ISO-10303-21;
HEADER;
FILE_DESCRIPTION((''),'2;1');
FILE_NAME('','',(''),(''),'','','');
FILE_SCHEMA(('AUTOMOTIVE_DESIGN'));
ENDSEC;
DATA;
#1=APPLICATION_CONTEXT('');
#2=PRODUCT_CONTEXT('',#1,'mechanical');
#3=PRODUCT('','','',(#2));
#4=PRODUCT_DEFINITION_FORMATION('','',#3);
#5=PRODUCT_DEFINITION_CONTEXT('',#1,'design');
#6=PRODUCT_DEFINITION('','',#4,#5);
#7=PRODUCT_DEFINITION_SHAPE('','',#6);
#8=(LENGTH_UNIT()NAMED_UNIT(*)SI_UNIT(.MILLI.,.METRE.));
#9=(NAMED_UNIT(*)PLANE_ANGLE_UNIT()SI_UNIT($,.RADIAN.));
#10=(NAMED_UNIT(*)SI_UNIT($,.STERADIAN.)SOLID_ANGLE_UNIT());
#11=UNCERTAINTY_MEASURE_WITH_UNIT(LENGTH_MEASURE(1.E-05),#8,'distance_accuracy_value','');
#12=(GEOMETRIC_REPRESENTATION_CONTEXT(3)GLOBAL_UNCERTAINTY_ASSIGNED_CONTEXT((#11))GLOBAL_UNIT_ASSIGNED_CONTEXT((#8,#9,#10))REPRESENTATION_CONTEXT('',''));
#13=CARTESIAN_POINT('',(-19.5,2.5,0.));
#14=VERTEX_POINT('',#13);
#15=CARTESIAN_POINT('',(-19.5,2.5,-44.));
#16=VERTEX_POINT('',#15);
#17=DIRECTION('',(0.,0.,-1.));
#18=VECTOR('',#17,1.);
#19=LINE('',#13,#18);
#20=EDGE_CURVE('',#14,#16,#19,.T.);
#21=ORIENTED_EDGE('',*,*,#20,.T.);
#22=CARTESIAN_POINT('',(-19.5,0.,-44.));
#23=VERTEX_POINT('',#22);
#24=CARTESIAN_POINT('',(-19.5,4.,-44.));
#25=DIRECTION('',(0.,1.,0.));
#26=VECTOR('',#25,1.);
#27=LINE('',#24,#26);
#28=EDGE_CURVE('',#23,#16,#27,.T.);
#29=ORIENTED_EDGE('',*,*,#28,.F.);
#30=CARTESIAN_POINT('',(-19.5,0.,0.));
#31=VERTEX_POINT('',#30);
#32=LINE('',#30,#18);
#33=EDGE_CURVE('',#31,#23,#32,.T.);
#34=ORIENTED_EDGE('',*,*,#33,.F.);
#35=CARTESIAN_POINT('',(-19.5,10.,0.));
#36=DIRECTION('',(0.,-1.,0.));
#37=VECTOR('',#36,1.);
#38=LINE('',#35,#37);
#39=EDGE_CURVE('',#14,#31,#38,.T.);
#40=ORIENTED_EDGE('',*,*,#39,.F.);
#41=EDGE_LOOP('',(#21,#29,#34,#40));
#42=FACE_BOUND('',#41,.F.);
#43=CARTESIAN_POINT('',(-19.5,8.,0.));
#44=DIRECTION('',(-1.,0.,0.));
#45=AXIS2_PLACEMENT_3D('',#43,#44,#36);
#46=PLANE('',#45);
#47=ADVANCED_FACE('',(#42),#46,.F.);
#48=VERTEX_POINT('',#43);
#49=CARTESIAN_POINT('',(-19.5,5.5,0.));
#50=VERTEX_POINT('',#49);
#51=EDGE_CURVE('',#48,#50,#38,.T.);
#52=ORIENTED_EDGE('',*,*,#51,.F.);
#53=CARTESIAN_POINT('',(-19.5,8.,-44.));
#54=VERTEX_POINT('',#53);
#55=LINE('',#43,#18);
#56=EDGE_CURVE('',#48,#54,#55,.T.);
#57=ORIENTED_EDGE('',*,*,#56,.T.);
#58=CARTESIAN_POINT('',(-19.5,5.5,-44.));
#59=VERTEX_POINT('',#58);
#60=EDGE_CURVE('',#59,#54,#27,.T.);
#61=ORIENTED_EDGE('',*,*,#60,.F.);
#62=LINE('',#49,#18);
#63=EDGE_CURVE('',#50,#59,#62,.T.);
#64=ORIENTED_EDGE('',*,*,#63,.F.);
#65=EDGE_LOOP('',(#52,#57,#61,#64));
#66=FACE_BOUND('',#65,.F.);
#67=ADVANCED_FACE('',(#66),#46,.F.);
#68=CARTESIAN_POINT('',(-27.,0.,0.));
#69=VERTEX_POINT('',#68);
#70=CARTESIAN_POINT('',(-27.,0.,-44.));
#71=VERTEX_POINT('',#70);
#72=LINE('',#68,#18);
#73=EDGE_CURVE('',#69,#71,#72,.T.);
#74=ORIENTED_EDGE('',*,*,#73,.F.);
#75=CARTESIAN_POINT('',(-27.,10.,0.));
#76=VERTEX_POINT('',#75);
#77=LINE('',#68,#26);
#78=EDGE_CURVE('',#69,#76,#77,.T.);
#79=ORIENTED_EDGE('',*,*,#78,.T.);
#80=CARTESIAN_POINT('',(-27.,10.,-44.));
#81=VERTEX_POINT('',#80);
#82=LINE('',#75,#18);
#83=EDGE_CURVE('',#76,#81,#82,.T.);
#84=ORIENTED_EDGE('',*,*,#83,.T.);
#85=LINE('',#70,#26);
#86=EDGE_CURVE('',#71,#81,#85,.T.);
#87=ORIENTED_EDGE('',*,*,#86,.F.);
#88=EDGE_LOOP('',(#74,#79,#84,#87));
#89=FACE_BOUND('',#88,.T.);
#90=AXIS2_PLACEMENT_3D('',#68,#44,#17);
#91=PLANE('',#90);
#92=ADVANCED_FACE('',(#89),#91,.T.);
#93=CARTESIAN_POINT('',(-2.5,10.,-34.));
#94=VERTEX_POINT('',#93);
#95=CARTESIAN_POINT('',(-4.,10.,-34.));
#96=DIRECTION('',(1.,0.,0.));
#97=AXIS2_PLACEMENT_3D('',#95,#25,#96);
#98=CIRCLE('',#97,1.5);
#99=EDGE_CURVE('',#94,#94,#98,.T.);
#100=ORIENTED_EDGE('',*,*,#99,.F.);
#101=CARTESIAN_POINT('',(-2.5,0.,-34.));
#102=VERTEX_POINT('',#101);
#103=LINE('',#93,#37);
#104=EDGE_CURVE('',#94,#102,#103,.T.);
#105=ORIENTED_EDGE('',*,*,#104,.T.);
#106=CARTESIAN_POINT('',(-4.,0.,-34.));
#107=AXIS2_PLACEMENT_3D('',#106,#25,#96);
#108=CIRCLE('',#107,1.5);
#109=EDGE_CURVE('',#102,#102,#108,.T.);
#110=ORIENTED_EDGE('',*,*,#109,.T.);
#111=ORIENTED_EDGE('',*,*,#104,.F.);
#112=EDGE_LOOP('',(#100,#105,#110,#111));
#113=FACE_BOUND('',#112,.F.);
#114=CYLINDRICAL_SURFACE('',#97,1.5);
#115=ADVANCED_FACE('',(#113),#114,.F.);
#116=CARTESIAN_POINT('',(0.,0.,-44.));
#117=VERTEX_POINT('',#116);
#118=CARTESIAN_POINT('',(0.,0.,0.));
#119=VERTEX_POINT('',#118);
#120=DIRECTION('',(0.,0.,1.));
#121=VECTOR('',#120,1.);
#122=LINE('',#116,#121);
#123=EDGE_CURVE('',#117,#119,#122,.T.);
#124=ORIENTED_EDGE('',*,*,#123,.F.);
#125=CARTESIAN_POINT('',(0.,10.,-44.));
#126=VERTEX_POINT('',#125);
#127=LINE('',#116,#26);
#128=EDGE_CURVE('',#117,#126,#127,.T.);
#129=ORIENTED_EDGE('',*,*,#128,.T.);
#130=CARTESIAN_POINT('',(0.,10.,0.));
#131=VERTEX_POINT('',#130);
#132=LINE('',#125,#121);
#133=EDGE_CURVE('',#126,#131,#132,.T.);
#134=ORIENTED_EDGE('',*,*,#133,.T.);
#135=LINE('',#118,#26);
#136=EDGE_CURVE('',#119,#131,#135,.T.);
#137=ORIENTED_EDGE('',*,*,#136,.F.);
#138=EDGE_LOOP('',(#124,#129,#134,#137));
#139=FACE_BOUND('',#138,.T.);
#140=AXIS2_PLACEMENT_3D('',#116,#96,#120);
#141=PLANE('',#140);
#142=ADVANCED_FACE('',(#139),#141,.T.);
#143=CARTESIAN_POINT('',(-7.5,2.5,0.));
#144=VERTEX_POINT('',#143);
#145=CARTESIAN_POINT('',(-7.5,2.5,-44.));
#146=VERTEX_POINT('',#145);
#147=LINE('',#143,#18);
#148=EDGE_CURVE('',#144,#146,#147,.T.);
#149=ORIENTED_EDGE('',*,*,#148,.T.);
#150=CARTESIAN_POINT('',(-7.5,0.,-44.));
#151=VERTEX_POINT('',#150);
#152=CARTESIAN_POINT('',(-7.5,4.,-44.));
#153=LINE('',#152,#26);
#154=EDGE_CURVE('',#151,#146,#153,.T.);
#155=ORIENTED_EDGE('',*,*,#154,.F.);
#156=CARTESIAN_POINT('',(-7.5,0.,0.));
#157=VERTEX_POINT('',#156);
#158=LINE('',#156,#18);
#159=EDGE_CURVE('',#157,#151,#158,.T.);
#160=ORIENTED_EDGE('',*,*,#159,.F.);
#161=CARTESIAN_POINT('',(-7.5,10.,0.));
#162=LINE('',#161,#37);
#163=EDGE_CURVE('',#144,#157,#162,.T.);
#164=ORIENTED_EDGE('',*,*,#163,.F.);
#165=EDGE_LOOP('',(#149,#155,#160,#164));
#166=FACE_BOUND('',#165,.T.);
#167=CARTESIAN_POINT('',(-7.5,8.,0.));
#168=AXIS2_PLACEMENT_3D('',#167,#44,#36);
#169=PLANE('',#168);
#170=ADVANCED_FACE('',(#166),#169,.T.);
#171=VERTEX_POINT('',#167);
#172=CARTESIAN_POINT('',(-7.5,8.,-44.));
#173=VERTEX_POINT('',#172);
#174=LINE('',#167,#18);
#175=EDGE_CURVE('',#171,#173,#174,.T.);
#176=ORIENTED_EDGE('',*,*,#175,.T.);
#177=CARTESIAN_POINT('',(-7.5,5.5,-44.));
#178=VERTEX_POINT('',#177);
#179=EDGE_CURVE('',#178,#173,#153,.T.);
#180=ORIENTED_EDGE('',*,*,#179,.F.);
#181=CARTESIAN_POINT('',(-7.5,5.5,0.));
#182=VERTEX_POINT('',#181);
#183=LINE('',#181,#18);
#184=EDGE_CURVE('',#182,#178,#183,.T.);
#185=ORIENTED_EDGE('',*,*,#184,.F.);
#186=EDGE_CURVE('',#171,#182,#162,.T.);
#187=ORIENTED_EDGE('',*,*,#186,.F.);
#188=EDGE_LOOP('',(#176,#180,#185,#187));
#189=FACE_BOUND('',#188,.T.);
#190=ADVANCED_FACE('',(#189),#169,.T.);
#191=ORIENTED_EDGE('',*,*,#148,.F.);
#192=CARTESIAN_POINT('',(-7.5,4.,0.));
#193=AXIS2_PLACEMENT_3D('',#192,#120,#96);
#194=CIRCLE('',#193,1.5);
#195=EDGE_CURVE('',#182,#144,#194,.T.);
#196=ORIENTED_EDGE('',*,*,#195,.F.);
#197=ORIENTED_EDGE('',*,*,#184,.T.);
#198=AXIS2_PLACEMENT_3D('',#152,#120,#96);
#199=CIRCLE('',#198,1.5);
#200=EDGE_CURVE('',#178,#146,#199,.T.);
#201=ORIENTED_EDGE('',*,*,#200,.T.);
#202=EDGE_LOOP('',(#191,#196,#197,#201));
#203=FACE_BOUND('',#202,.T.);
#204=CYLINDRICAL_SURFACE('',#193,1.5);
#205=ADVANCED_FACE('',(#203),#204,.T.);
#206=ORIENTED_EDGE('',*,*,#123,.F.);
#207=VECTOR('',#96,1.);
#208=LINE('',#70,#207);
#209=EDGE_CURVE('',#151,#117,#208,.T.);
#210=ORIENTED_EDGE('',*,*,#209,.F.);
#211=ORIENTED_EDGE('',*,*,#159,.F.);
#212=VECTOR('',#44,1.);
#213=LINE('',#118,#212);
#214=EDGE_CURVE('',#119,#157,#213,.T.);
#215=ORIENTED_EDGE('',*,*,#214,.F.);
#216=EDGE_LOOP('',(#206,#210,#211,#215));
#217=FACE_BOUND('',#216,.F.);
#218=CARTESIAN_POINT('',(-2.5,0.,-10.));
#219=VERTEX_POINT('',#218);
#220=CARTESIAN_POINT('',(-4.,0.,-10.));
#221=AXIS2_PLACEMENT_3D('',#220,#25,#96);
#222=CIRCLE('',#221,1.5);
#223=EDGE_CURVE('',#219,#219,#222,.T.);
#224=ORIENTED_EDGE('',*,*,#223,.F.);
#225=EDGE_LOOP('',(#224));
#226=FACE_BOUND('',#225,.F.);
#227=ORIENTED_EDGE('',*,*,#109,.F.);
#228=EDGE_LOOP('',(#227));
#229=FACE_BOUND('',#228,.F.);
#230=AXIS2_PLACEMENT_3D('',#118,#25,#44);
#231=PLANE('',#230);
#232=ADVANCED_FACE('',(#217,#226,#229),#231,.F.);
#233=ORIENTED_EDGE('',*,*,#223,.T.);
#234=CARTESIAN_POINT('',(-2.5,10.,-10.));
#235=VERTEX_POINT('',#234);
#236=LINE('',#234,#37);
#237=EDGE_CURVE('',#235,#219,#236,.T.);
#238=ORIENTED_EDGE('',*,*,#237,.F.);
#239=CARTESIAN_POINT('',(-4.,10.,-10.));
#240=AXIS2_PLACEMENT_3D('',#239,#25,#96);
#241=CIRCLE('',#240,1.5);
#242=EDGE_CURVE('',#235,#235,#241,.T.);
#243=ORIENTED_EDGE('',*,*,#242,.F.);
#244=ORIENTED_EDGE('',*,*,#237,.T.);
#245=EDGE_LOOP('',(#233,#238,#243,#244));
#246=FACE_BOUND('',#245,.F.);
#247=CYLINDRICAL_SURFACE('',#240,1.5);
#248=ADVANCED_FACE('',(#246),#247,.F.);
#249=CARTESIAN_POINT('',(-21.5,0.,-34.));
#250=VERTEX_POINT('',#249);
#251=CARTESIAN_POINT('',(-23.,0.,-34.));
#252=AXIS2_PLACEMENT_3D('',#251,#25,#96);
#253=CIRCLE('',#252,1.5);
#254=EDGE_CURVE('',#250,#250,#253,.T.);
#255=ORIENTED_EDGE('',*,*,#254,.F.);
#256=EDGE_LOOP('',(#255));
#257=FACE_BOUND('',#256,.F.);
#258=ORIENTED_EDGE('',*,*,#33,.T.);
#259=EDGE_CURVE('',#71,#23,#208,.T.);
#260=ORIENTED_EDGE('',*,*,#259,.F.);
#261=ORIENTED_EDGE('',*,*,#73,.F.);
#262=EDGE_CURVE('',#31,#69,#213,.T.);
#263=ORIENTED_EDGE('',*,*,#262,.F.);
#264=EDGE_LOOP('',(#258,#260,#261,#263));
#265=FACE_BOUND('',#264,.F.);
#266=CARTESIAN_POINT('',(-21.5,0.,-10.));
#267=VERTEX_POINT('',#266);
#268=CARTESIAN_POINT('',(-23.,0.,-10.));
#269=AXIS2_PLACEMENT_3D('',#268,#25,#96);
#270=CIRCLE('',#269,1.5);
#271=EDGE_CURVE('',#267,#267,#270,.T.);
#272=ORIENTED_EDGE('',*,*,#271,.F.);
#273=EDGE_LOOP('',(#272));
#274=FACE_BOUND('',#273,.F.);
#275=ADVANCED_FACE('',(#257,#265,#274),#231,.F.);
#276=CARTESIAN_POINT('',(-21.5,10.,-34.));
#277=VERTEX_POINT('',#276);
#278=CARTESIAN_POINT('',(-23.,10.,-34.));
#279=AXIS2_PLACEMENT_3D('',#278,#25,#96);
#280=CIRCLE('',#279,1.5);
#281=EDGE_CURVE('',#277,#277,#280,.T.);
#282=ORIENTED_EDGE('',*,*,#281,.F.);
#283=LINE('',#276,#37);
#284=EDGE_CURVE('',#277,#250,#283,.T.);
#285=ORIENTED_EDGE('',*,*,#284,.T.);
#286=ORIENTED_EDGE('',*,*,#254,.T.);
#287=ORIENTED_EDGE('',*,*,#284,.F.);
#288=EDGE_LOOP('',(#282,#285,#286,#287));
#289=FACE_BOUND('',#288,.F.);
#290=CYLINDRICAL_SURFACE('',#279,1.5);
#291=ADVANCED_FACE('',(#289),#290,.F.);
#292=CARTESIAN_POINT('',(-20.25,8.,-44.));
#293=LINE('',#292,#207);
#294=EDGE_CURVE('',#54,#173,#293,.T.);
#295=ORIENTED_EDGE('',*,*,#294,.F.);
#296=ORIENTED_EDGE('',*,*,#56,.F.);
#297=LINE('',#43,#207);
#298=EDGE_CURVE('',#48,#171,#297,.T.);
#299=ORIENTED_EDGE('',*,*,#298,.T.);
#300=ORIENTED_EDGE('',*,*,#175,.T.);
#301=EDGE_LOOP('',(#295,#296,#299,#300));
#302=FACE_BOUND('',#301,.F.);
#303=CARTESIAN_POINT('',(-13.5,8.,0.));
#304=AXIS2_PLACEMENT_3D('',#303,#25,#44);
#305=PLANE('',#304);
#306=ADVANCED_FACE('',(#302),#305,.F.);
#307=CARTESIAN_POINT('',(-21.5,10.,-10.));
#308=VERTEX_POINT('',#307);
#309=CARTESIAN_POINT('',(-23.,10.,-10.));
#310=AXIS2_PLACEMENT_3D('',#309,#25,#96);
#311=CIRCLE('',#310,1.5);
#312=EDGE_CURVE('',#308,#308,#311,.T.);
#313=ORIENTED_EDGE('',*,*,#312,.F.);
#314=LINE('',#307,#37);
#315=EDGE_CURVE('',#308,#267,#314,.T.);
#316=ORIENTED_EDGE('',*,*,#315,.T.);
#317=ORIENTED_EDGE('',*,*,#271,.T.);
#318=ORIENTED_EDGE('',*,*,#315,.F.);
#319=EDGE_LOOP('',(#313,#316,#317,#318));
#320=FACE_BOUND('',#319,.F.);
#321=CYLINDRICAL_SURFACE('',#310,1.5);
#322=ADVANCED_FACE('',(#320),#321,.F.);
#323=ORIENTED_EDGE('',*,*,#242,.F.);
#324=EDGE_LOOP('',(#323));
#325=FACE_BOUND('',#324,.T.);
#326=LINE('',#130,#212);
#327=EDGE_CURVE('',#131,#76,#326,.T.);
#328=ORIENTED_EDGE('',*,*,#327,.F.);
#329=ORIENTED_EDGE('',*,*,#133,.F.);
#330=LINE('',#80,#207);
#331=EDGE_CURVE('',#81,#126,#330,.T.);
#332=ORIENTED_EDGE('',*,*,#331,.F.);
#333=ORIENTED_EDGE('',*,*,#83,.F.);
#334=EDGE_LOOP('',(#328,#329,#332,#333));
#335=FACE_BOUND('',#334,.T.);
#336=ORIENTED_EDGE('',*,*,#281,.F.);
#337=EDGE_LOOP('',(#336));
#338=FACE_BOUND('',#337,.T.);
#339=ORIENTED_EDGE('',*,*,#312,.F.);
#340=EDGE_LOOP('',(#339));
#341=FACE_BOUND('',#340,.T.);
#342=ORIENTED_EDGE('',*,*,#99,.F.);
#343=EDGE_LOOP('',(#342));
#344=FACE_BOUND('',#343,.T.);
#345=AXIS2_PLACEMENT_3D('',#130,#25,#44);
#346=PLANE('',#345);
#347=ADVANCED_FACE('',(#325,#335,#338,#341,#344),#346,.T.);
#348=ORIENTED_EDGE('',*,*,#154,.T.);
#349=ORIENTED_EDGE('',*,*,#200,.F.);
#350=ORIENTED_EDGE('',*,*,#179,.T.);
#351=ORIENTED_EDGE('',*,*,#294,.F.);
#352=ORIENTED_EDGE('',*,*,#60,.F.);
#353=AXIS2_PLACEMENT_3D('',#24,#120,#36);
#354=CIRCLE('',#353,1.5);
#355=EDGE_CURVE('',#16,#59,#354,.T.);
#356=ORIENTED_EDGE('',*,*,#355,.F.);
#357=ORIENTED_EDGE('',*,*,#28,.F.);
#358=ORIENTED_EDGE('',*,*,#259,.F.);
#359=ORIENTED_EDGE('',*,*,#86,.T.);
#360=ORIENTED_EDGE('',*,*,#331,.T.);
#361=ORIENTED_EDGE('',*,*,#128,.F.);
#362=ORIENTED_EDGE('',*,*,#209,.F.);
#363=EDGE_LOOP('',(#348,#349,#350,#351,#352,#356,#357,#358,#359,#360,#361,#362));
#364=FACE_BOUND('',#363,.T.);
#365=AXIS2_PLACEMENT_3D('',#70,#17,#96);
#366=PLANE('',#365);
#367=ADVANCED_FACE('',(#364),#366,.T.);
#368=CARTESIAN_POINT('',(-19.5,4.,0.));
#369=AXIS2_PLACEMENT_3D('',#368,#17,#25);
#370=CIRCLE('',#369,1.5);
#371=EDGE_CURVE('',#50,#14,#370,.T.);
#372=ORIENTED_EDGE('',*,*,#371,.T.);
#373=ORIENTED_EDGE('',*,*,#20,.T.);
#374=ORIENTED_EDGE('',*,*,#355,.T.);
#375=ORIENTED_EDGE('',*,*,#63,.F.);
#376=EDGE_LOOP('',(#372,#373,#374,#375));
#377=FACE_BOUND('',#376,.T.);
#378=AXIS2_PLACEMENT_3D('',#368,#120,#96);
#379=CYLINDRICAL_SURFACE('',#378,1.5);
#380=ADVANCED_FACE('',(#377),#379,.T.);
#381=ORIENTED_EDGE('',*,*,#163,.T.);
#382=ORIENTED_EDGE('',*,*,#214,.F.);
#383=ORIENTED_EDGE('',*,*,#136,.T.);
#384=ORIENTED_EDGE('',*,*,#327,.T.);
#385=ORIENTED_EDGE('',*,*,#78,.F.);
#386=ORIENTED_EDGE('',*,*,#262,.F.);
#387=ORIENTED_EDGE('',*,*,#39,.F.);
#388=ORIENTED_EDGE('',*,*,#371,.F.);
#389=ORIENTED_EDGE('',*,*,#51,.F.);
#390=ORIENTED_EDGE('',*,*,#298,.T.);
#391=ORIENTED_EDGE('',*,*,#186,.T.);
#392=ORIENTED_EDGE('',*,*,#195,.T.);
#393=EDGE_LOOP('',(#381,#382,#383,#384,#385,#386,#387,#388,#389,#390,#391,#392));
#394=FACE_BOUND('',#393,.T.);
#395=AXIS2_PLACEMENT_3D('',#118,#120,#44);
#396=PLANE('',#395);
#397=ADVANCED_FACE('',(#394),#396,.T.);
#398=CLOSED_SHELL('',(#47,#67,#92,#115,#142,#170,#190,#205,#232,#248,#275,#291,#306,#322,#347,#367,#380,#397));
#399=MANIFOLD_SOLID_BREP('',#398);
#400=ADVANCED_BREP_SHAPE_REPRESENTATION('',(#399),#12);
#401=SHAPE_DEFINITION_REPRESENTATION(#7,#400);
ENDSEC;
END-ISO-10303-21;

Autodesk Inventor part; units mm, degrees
ref_plane "YZ Plane" through (0, 0, 0) normal (1, 0, 0) x (0, 1, 0)
ref_plane "XZ Plane" through (0, 0, 0) normal (0, 1, 0) x (-1, 0, 0)
ref_plane "XY Plane" through (0, 0, 0) normal (0, 0, 1) x (1, 0, 0)
sketch "草图1" plane through (0, 0, 0) normal (0, 1, 0) x (-1, 0, 0)
  line L0 (0, 0) -> (27, 0)
  line L1 (27, 0) -> (27, -44)
  line L2 (27, -44) -> (0, -44)
  line L3 (0, -44) -> (0, 0)
  dimension "d0" = 44
  dimension "d1" = 27
extrude "拉伸1" add sketch "草图1" along normal blind 10
sketch "草图2" plane through (-27, 0, 0) normal (0, 0, 1) x (1, 0, 0)
  line L0 (0, 10) -> (27, 10) projected
  line L1 (13.5, 10) -> (13.5, 0)
  line L2 (13.5, 10) -> (7.5, 10)
  line L3 (7.5, 10) -> (19.5, 10)
  line L4 (7.5, 10) -> (7.5, 0)
  line L5 (0, 0) -> (27, 0) projected
  line L6 (19.5, 10) -> (19.5, 0)
  line L7 (7.5, 0) -> (19.5, 0)
  line L8 (7.5, 0) -> (19.5, 0)
  line L9 (19.5, 0) -> (19.5, 8)
  line L10 (19.5, 8) -> (7.5, 8)
  line L11 (7.5, 8) -> (7.5, 0)
  point P0 (7.5, 8)
  dimension "d19" = 6
  dimension "d20" = 12
  dimension "d21" = 8
extrude "拉伸2" cut sketch "草图2" against normal through all contours L10 L1 L5 L4 | L10 L6 L5 L1
sketch "草图3" plane through (-27, 10, 0) normal (0, 0, 1) x (1, 0, 0)
  line L0 (7.5, -10) -> (7.5, -2) projected
  circle A0 centre (7.5, -6) radius 1.5
  line L1 (19.5, -2) -> (19.5, -10) projected
  circle A1 centre (19.5, -6) radius 1.5
  point P0 (27, -10)
  point P1 (19.5, -7.5)
  point P2 (19.5, -4.5)
  point P3 (7.5, -4.5)
  point P4 (7.5, -7.5)
  dimension "d22" = 3
  dimension "d23" = 3
extrude "拉伸3" add sketch "草图3" against normal blind 44 contours L0 A0 | L1 A1 picked at (8.2992, -6.2203) picked at (19.2676, -6.4427)
sketch "草图4" plane through (0, 10, 0) normal (0, 1, 0) x (1, 0, 0)
  circle A0 centre (-23, 34) radius 1.5
  line L0 (-6, 44) -> (-21, 44) projected
  circle A1 centre (-4, 34) radius 1.5
  circle A2 centre (-23, 10) radius 1.5
  circle A3 centre (-4, 10) radius 1.5
  line L1 (-27.606, 22) -> (3.9148, 22)
  line L2 (-13.5, 45.1542) -> (-13.5, -11.9454)
  point P0 (0, 0)
  point P1 (-27, 44)
  dimension "d15" = 3
  dimension "d24" = 12
  dimension "d25" = 9.5
extrude "拉伸4" cut sketch "草图4" against normal blind 10
equation "\"折弯半径\" = 厚度"
equation "\"折弯释压宽度\" = 厚度"
equation "\"折弯释压深度\" = 0.5 * 厚度"
equation "\"拐角释压尺寸\" = 4 * 厚度"
equation "\"最小余量\" = 2 * 厚度"
equation "\"过渡半径\" = 折弯半径"
equation "\"Jacobi半径尺寸\" = 折弯半径"
equation "\"间隙大小\" = 厚度"
equation "\"厚度\" = 0.5"
properties part number "滑轨座"
